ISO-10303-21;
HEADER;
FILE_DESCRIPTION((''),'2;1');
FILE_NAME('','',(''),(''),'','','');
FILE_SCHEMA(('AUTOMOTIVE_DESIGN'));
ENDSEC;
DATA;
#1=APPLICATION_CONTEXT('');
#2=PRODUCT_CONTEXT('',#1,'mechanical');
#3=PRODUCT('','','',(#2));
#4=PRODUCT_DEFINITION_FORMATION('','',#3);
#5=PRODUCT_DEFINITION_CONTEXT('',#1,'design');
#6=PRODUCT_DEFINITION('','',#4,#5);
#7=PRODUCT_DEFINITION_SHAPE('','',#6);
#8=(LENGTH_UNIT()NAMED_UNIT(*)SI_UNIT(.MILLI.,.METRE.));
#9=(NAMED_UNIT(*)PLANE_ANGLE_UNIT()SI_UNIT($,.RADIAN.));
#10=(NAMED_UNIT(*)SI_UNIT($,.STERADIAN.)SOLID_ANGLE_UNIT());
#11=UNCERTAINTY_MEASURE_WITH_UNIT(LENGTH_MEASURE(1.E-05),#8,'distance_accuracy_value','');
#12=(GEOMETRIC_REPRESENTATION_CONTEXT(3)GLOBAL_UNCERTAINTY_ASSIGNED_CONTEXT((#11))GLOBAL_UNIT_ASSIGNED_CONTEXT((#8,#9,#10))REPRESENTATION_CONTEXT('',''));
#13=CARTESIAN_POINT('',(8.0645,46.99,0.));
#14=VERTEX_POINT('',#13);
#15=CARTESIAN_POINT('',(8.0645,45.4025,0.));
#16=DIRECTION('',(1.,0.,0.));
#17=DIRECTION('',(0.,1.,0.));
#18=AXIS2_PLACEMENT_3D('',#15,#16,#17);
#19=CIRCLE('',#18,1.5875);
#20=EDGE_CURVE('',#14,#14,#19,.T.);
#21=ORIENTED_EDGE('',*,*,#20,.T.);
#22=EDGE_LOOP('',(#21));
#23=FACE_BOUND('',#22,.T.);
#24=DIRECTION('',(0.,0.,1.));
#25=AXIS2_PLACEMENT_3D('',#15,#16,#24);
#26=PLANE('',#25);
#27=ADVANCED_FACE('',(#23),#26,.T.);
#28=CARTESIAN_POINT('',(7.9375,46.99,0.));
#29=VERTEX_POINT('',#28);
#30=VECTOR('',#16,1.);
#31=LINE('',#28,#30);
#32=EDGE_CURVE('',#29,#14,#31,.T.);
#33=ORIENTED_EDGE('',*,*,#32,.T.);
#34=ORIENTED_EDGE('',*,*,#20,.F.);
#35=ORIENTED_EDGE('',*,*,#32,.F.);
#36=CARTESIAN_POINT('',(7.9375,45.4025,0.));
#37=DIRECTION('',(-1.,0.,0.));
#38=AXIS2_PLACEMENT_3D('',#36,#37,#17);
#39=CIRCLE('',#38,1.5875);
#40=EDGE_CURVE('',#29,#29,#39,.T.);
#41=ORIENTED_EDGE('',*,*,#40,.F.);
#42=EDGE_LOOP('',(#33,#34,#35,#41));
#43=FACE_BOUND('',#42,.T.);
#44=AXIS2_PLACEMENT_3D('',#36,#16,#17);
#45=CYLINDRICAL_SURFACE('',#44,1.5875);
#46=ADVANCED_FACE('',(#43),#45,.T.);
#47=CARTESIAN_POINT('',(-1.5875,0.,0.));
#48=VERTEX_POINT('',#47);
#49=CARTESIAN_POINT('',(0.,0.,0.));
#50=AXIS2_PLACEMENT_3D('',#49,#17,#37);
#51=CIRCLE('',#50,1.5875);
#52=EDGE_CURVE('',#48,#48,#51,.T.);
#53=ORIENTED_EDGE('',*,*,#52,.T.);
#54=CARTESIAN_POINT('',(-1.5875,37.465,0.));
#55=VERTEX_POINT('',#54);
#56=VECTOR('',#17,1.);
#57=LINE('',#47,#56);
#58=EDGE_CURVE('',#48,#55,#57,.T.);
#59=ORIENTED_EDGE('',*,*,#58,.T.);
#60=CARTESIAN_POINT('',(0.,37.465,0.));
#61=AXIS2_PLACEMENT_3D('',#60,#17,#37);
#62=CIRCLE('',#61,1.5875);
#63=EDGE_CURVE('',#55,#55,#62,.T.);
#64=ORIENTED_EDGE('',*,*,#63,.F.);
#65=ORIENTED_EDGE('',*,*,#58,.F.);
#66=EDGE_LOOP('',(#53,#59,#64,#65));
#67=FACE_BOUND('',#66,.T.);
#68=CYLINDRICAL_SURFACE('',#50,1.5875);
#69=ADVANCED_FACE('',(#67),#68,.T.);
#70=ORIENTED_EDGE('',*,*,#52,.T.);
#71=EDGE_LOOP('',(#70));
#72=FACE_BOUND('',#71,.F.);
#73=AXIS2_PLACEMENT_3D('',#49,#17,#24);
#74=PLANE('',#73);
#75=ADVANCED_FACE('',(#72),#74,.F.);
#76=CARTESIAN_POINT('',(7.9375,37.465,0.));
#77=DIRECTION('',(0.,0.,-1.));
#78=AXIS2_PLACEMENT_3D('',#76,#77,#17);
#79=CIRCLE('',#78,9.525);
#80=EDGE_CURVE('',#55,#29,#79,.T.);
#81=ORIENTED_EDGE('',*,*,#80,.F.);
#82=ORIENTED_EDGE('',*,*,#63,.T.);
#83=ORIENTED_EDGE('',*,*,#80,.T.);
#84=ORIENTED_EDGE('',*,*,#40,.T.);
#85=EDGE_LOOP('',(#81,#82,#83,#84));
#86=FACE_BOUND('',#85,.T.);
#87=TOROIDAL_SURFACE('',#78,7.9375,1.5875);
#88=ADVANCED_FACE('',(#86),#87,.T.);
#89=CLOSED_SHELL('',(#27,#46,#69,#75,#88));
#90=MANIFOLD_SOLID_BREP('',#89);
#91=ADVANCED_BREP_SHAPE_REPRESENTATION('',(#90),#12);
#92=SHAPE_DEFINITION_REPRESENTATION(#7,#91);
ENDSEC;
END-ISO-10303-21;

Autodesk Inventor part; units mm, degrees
ref_plane "YZ Plane" through (0, 0, 0) normal (1, 0, 0) x (0, 1, 0)
ref_plane "XZ Plane" through (0, 0, 0) normal (0, 1, 0) x (-1, 0, 0)
ref_plane "XY Plane" through (0, 0, 0) normal (0, 0, 1) x (1, 0, 0)
sketch "Sketch1" plane through (0, 0, 0) normal (0, 0, 1) x (1, 0, 0)
  line L0 (0, 0) -> (0, 37.465)
  line L1 (0, 37.465) -> (7.9375, 37.465)
  line L2 (7.9375, 37.465) -> (7.9375, 45.4025)
  line L3 (7.9375, 45.4025) -> (8.0645, 45.4025)
  arc A0 (7.9375, 45.4025) -> (0, 37.465) centre (7.9375, 37.465) ccw
  dimension "d0" = 37.465
  dimension "d1" = 7.9375
  dimension "d2" = 7.9375
  dimension "d3" = 0.127
sketch "Sketch2" plane through (0, 0, 0) normal (0, 1, 0) x (-1, 0, 0)
  circle A0 centre (0, 0) radius 1.5875
  dimension "d4" = 3.175
sweep "Sweep1" add profiles "Sketch2" path "Sketch1" path curves L0 A0 L3
properties part number "3mmControlSurfaceShaft_1" material "Aluminum 6061"
